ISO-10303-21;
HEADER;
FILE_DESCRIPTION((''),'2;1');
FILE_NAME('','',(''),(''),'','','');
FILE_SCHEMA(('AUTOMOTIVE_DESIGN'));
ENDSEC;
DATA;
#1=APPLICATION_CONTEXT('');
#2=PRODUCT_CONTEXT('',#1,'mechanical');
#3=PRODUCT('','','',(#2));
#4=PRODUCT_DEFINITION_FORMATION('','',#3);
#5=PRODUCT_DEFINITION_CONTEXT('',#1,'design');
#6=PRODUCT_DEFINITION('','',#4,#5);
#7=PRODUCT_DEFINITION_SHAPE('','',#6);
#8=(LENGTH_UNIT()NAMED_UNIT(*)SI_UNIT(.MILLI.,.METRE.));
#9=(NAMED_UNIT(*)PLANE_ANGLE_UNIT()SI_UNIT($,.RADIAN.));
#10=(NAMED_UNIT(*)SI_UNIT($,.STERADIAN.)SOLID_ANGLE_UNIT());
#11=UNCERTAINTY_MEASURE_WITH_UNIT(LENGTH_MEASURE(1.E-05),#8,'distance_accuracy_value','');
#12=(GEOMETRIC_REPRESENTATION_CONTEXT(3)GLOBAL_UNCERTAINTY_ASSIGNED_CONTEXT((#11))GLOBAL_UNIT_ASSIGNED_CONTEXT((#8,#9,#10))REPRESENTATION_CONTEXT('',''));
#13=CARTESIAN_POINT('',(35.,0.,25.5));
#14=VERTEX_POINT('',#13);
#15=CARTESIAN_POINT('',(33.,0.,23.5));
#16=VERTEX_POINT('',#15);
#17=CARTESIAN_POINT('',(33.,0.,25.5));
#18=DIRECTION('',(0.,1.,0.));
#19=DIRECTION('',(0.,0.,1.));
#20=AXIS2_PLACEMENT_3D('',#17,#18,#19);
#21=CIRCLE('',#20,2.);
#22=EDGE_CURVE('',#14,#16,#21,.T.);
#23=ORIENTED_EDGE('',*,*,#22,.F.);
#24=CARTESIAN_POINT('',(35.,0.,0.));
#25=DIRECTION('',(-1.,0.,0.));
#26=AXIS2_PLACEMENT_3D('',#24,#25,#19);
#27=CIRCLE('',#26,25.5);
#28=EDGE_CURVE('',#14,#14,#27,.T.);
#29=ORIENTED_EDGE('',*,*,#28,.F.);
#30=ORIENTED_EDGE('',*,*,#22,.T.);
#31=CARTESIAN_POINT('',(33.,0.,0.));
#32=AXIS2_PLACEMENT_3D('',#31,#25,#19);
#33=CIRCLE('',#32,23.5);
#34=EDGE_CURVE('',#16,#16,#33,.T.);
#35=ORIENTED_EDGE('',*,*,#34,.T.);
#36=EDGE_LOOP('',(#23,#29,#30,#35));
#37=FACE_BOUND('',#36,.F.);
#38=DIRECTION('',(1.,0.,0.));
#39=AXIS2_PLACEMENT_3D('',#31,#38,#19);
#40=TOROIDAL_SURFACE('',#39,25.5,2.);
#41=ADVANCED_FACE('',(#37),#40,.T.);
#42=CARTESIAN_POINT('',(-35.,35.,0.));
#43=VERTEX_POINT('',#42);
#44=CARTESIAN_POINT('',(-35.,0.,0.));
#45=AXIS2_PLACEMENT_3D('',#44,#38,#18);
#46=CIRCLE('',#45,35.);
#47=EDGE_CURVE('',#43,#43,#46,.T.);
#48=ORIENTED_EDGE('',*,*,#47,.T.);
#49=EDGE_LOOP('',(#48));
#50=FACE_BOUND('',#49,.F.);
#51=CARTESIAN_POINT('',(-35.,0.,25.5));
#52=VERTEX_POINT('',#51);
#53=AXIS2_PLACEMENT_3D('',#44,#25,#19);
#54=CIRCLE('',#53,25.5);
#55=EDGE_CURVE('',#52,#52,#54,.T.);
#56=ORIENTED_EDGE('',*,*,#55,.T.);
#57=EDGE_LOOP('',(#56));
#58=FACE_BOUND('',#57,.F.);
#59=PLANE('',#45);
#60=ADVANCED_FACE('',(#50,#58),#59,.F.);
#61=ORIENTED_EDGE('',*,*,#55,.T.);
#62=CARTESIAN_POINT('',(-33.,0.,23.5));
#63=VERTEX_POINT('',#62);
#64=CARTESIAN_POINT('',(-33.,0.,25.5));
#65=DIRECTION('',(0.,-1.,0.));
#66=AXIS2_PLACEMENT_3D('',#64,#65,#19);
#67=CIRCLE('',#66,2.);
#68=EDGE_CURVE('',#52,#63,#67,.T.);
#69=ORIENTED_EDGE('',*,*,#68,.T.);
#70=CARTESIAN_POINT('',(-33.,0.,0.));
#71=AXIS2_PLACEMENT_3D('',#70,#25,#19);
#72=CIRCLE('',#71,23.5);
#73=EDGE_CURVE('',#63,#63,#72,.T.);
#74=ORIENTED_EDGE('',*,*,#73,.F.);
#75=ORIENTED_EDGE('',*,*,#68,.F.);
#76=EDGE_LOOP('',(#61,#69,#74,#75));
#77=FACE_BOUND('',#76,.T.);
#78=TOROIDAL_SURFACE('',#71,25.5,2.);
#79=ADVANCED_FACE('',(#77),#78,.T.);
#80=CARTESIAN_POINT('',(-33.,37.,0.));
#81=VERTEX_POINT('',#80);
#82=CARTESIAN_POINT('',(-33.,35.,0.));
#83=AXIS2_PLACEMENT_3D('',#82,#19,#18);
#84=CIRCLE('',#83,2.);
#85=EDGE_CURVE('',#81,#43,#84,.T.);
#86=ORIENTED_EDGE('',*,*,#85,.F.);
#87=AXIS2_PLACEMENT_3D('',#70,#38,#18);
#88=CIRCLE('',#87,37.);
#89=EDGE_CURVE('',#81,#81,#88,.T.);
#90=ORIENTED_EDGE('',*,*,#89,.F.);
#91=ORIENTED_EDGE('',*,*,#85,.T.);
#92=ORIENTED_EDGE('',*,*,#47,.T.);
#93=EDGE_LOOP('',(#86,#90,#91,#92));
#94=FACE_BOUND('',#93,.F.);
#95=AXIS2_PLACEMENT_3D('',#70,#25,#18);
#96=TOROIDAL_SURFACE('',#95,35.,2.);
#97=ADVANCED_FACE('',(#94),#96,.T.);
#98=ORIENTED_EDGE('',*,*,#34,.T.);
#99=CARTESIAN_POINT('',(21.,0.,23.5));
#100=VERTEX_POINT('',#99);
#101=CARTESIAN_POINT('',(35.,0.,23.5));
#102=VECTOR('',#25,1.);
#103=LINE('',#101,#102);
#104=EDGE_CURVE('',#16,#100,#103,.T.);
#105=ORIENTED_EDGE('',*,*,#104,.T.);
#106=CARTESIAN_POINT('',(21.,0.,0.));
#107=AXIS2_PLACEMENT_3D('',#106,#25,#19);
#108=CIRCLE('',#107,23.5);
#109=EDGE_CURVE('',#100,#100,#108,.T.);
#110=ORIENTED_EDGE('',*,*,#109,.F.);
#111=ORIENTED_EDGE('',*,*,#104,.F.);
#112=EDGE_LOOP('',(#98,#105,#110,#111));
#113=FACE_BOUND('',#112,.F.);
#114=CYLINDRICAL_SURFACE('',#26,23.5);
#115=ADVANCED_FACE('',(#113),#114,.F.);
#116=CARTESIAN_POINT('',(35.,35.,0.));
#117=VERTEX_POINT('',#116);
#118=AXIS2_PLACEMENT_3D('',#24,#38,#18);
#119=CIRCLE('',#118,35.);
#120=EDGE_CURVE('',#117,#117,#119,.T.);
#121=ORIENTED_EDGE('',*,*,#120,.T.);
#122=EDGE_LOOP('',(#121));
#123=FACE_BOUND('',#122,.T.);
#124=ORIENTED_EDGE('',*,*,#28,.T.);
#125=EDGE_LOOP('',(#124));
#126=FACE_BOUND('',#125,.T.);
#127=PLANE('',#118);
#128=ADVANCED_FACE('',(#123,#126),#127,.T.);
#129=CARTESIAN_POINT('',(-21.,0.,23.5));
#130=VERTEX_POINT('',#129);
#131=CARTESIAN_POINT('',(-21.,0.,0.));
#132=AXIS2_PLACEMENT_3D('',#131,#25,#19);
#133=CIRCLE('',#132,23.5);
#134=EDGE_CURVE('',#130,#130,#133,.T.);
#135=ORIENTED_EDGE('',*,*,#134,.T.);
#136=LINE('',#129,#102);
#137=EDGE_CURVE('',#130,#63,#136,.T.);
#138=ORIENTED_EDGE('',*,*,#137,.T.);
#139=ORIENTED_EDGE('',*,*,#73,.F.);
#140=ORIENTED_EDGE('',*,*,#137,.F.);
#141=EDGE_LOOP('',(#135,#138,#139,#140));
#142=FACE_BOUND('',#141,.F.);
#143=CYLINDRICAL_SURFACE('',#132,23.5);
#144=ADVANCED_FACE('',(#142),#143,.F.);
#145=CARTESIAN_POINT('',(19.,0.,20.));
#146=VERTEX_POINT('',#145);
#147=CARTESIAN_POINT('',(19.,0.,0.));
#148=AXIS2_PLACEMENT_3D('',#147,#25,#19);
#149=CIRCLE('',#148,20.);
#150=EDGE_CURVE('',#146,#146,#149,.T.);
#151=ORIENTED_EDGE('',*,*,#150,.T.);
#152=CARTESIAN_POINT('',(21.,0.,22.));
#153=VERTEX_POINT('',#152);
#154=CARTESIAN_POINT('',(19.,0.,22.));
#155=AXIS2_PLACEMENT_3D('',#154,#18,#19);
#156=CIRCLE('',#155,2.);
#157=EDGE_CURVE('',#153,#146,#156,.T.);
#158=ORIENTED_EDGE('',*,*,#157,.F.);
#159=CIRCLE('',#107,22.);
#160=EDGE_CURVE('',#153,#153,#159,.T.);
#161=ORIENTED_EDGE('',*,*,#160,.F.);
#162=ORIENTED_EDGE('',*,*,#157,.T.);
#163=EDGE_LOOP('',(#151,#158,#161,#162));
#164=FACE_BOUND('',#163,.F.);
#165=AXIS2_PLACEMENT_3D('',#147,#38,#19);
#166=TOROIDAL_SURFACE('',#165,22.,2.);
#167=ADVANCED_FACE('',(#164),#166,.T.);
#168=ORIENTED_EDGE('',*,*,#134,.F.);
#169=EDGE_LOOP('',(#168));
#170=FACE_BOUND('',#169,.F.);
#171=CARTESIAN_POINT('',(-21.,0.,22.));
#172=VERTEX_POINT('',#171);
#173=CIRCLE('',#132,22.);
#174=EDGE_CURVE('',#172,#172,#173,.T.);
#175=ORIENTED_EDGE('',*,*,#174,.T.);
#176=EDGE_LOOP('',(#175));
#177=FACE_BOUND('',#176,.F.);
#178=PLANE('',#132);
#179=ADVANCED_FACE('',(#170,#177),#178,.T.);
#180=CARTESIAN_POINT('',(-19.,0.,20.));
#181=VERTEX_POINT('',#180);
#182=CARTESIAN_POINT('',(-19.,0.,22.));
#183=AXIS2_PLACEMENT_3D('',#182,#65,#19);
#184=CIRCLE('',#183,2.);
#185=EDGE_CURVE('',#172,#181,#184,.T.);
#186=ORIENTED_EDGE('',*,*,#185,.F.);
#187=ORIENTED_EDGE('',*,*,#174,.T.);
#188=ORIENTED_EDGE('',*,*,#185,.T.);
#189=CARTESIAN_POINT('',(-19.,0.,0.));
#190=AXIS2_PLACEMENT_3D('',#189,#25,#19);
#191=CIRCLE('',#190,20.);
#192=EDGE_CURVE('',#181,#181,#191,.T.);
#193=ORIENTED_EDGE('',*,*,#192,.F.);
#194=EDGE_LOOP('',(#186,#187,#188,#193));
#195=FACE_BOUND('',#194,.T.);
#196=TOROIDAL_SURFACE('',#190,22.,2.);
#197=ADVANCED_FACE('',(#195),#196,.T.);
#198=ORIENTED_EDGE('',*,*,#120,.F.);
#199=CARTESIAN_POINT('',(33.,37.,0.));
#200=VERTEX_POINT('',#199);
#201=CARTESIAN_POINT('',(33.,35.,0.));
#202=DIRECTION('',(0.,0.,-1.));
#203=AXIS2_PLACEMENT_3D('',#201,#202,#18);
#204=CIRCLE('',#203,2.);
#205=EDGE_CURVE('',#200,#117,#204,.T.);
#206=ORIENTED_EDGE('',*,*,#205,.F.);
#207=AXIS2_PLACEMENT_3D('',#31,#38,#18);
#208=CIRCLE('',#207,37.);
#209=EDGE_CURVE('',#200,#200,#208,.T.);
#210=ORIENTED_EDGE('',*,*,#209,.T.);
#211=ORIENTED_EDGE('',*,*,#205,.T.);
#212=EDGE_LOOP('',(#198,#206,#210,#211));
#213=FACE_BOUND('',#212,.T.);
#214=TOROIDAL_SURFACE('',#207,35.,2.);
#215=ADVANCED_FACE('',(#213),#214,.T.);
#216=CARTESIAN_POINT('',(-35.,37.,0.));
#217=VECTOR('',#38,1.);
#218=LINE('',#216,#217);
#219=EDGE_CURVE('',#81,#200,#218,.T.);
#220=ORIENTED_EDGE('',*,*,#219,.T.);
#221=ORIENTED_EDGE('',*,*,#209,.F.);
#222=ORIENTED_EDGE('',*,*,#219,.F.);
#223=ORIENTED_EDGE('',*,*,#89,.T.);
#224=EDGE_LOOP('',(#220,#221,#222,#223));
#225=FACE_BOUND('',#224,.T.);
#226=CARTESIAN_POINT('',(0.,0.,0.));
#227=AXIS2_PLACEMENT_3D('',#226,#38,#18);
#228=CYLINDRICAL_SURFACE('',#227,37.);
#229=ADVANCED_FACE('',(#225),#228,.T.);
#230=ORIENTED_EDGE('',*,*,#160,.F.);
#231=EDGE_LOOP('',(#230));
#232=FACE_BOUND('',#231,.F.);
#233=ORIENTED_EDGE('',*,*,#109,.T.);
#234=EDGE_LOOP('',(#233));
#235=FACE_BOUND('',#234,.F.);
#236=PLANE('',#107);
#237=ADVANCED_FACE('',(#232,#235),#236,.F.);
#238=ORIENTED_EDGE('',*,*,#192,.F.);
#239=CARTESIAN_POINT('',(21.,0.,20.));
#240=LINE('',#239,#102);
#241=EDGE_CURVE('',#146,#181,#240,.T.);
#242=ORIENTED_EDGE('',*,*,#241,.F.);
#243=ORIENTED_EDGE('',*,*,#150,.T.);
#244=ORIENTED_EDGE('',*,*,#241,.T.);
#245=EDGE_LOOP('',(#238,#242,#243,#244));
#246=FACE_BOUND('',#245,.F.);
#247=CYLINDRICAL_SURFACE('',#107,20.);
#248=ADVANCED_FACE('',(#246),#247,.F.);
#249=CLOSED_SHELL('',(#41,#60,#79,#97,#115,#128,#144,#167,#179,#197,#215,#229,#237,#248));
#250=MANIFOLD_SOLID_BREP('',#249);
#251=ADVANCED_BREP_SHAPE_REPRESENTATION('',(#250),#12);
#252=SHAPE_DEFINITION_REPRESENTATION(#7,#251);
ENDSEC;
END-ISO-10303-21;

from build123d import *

# Parameters (mm, degrees)
F0_R     = 37
F1_DEPTH = 35
F4_R     = 2


with BuildPart() as f1:
    # F0 (on Right) → F1 (new body, symmetric)
    with BuildSketch(Plane.YZ):
        Circle(F0_R)
    extrude(amount=F1_DEPTH, both=True)

    # F2 (on Front) → F3 (revolve, cut)
    with BuildSketch(Plane.XZ):
        Polygon((21, 20), (0, 20), (-21, 20), (-21, 23.5), (-35, 23.5), (-35, 0), (0, 0), (35, 0), (35, 23.5), (21, 23.5), align=None)
    revolve(axis=Axis((17.5, 0, 0), (-1, 0, 0)), mode=Mode.SUBTRACT)

    # F4
    f4_edges = [f1.edges().sort_by_distance(p)[0] for p in [
        (-35, -37, 0),
        (0, 37, 0),
        (35, -37, 0),
        (35, 0, -23.5),
        (-35, 0, -23.5),
        (-21, 0, -20),
        (21, 0, -20),
    ]]
    fillet(f4_edges, radius=F4_R)


solid = f1.part
